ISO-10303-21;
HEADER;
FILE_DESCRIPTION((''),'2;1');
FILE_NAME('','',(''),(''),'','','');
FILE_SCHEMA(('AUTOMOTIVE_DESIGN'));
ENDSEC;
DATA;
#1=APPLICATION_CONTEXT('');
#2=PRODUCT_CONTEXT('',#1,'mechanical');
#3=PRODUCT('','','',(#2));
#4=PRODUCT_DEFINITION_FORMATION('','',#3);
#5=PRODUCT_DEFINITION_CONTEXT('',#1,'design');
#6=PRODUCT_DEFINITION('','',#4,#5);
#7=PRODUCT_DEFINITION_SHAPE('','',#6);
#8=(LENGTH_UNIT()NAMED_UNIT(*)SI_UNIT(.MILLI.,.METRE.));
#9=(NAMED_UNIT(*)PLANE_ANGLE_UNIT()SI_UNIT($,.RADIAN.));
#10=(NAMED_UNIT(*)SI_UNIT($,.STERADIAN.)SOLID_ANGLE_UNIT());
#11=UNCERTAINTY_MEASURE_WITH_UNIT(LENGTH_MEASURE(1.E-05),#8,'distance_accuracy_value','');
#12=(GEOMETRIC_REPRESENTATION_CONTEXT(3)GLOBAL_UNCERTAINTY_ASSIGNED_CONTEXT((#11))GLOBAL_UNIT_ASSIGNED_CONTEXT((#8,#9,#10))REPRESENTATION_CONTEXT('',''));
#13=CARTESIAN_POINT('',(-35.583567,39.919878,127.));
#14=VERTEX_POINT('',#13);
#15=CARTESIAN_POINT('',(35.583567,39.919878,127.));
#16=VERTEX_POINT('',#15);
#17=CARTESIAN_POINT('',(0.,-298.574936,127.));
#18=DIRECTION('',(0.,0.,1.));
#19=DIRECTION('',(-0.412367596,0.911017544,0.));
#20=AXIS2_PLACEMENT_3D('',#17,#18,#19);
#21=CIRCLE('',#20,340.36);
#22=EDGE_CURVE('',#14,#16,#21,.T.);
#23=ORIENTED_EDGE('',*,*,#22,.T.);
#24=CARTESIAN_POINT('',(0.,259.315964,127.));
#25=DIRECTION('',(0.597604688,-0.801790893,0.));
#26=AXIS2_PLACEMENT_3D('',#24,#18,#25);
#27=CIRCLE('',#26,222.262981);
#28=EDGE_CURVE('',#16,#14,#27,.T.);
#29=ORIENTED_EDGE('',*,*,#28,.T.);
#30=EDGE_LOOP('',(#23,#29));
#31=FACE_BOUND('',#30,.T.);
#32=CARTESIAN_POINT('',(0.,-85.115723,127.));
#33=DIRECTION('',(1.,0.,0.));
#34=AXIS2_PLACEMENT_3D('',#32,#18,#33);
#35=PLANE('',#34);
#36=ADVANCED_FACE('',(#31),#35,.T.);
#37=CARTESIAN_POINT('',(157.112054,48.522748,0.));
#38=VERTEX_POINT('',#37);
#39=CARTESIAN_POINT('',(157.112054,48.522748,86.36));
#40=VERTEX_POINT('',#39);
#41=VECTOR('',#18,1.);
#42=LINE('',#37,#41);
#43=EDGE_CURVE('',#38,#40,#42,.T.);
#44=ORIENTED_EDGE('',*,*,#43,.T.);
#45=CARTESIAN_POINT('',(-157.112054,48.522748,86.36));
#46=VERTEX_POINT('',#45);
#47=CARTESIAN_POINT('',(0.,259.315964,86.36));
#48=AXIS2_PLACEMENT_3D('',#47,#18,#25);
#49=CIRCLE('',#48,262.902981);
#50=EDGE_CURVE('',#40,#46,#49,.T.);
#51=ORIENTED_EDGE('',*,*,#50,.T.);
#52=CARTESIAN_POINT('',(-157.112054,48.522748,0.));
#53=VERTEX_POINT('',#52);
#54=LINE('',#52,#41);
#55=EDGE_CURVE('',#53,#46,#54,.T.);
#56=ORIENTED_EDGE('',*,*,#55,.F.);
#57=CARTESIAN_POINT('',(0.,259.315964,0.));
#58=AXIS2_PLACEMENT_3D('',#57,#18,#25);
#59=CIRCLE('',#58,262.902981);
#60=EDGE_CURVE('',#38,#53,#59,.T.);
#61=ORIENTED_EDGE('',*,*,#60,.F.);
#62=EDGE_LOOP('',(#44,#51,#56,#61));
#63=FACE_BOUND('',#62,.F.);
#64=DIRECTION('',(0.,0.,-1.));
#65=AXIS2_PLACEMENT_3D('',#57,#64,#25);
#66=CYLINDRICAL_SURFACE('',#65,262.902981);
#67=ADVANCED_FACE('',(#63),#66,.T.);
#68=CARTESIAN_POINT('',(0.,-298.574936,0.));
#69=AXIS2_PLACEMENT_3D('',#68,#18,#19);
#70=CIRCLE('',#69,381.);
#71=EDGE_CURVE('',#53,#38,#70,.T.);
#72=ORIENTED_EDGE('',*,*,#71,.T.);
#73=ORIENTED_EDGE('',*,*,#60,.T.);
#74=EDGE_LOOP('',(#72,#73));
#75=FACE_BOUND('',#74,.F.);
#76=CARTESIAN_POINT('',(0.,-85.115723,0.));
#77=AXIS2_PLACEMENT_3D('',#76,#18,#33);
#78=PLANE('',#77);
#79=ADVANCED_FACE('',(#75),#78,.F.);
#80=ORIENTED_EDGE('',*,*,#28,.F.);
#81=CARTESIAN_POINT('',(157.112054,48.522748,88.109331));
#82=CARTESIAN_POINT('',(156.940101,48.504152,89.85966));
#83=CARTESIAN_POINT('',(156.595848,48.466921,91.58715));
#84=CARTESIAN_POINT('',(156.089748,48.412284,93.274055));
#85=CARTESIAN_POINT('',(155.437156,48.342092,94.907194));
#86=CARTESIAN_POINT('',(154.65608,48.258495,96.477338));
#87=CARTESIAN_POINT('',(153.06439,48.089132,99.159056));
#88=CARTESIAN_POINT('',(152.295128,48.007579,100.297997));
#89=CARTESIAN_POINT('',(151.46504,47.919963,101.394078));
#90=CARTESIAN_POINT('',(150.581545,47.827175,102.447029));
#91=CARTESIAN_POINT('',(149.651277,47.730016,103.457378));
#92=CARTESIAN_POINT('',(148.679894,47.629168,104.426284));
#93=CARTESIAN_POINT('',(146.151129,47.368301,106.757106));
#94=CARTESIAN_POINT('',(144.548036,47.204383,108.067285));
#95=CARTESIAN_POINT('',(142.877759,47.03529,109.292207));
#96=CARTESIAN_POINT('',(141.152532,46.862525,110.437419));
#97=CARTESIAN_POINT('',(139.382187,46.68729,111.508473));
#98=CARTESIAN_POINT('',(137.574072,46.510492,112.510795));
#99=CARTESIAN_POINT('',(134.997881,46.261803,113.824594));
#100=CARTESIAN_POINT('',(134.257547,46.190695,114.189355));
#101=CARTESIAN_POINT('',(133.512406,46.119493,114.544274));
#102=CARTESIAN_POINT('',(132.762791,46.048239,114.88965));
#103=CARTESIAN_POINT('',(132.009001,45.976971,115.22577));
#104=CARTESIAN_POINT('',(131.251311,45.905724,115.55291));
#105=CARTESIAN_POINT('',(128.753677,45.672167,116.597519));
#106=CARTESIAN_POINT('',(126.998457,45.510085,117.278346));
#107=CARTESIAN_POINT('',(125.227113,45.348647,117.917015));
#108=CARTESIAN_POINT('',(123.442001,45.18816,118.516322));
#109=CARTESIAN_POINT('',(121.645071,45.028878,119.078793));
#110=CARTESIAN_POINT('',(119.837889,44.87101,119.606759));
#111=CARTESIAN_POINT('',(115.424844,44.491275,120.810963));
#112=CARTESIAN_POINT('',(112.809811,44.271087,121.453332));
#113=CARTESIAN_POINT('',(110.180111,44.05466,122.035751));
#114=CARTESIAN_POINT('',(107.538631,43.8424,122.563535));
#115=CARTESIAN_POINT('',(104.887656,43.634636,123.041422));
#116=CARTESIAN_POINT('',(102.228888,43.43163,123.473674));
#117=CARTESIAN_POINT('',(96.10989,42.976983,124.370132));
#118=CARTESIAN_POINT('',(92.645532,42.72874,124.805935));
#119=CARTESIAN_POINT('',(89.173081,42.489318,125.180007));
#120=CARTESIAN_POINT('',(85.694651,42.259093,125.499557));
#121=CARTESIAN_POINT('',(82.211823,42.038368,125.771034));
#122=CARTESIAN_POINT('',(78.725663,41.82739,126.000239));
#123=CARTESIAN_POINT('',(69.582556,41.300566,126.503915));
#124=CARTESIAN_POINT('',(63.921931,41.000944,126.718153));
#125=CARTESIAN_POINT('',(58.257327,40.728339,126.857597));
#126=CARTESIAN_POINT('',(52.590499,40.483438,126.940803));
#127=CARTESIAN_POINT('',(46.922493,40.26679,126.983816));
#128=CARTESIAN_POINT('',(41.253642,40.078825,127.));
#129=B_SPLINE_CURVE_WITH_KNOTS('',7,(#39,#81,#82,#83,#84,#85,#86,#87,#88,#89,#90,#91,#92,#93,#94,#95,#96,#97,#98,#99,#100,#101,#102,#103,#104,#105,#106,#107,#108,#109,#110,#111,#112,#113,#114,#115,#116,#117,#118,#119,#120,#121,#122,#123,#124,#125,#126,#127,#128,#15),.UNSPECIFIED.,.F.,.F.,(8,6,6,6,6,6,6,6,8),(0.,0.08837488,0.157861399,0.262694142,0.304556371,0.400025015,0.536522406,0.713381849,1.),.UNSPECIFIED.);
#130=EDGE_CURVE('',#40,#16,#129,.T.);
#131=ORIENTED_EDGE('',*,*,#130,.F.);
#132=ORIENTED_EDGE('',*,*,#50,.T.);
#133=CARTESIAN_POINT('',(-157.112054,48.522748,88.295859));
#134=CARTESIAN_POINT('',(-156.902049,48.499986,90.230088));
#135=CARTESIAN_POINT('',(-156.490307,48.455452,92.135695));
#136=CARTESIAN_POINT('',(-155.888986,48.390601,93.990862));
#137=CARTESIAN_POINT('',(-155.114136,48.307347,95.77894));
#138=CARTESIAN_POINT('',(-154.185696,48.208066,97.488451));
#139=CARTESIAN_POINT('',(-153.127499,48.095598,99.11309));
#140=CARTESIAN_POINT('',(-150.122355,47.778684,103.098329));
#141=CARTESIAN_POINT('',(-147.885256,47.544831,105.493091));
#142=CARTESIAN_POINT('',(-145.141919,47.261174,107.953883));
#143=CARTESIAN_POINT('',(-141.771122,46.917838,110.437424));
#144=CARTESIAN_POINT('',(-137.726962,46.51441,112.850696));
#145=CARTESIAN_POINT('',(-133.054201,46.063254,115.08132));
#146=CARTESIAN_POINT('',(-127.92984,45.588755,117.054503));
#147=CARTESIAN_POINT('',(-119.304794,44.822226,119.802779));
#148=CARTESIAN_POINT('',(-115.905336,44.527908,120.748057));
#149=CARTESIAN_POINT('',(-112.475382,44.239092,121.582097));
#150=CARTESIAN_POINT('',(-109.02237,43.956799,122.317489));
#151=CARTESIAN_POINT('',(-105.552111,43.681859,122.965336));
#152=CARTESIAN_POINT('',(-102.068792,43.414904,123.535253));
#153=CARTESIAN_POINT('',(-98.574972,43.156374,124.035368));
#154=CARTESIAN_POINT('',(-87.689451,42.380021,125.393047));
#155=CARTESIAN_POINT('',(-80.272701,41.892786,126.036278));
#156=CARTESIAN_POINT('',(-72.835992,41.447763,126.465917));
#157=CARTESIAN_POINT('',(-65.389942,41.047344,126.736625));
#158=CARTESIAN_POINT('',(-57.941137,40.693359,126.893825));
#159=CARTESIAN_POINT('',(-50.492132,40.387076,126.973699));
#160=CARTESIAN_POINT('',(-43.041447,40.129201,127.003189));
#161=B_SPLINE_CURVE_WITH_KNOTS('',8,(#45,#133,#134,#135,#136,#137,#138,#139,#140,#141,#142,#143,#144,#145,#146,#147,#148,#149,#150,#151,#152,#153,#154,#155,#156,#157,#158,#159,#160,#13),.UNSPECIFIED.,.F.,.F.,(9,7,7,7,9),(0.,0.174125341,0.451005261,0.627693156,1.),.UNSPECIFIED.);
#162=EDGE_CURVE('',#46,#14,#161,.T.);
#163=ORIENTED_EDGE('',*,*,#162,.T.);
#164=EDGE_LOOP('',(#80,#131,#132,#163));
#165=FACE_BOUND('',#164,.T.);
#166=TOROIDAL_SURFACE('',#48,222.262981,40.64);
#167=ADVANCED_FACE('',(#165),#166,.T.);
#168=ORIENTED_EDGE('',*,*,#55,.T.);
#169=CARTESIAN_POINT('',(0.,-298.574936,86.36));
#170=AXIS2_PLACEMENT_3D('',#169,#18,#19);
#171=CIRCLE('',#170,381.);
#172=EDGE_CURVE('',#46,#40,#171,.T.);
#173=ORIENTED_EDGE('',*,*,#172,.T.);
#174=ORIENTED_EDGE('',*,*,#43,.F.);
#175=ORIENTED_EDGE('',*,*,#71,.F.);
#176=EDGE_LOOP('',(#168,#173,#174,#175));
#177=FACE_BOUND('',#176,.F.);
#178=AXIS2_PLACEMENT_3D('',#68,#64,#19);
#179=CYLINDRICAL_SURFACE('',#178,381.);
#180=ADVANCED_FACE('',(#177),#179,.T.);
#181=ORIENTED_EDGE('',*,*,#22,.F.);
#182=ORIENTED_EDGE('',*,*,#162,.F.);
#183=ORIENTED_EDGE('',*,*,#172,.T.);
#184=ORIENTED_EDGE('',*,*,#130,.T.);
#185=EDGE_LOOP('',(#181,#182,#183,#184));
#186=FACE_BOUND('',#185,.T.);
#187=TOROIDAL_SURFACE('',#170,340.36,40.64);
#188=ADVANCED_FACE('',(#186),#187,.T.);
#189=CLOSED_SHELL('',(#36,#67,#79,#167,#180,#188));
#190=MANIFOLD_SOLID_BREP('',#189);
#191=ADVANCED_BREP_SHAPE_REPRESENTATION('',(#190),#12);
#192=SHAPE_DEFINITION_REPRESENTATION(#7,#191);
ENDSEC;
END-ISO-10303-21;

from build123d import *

# Parameters (mm, degrees)
F1_DEPTH = 127
F2_R     = 40.64


with BuildPart() as f1:
    # F0 (on Top) → F1 (new body)
    with BuildSketch(Plane.XY):
        with BuildLine():
            ThreePointArc((-157.112054, 48.522748), (0, -679.574936), (157.112054, 48.522748))
            ThreePointArc((157.112054, 48.522748), (0, 522.218945), (-157.112054, 48.522748))
        make_face()
    extrude(amount=F1_DEPTH)

    # F2
    f2_edges = [f1.edges().sort_by_distance(p)[0] for p in [
        (0, 522.218945, 127),
        (0, -679.574936, 127),
    ]]
    fillet(f2_edges, radius=F2_R)


solid = f1.part
